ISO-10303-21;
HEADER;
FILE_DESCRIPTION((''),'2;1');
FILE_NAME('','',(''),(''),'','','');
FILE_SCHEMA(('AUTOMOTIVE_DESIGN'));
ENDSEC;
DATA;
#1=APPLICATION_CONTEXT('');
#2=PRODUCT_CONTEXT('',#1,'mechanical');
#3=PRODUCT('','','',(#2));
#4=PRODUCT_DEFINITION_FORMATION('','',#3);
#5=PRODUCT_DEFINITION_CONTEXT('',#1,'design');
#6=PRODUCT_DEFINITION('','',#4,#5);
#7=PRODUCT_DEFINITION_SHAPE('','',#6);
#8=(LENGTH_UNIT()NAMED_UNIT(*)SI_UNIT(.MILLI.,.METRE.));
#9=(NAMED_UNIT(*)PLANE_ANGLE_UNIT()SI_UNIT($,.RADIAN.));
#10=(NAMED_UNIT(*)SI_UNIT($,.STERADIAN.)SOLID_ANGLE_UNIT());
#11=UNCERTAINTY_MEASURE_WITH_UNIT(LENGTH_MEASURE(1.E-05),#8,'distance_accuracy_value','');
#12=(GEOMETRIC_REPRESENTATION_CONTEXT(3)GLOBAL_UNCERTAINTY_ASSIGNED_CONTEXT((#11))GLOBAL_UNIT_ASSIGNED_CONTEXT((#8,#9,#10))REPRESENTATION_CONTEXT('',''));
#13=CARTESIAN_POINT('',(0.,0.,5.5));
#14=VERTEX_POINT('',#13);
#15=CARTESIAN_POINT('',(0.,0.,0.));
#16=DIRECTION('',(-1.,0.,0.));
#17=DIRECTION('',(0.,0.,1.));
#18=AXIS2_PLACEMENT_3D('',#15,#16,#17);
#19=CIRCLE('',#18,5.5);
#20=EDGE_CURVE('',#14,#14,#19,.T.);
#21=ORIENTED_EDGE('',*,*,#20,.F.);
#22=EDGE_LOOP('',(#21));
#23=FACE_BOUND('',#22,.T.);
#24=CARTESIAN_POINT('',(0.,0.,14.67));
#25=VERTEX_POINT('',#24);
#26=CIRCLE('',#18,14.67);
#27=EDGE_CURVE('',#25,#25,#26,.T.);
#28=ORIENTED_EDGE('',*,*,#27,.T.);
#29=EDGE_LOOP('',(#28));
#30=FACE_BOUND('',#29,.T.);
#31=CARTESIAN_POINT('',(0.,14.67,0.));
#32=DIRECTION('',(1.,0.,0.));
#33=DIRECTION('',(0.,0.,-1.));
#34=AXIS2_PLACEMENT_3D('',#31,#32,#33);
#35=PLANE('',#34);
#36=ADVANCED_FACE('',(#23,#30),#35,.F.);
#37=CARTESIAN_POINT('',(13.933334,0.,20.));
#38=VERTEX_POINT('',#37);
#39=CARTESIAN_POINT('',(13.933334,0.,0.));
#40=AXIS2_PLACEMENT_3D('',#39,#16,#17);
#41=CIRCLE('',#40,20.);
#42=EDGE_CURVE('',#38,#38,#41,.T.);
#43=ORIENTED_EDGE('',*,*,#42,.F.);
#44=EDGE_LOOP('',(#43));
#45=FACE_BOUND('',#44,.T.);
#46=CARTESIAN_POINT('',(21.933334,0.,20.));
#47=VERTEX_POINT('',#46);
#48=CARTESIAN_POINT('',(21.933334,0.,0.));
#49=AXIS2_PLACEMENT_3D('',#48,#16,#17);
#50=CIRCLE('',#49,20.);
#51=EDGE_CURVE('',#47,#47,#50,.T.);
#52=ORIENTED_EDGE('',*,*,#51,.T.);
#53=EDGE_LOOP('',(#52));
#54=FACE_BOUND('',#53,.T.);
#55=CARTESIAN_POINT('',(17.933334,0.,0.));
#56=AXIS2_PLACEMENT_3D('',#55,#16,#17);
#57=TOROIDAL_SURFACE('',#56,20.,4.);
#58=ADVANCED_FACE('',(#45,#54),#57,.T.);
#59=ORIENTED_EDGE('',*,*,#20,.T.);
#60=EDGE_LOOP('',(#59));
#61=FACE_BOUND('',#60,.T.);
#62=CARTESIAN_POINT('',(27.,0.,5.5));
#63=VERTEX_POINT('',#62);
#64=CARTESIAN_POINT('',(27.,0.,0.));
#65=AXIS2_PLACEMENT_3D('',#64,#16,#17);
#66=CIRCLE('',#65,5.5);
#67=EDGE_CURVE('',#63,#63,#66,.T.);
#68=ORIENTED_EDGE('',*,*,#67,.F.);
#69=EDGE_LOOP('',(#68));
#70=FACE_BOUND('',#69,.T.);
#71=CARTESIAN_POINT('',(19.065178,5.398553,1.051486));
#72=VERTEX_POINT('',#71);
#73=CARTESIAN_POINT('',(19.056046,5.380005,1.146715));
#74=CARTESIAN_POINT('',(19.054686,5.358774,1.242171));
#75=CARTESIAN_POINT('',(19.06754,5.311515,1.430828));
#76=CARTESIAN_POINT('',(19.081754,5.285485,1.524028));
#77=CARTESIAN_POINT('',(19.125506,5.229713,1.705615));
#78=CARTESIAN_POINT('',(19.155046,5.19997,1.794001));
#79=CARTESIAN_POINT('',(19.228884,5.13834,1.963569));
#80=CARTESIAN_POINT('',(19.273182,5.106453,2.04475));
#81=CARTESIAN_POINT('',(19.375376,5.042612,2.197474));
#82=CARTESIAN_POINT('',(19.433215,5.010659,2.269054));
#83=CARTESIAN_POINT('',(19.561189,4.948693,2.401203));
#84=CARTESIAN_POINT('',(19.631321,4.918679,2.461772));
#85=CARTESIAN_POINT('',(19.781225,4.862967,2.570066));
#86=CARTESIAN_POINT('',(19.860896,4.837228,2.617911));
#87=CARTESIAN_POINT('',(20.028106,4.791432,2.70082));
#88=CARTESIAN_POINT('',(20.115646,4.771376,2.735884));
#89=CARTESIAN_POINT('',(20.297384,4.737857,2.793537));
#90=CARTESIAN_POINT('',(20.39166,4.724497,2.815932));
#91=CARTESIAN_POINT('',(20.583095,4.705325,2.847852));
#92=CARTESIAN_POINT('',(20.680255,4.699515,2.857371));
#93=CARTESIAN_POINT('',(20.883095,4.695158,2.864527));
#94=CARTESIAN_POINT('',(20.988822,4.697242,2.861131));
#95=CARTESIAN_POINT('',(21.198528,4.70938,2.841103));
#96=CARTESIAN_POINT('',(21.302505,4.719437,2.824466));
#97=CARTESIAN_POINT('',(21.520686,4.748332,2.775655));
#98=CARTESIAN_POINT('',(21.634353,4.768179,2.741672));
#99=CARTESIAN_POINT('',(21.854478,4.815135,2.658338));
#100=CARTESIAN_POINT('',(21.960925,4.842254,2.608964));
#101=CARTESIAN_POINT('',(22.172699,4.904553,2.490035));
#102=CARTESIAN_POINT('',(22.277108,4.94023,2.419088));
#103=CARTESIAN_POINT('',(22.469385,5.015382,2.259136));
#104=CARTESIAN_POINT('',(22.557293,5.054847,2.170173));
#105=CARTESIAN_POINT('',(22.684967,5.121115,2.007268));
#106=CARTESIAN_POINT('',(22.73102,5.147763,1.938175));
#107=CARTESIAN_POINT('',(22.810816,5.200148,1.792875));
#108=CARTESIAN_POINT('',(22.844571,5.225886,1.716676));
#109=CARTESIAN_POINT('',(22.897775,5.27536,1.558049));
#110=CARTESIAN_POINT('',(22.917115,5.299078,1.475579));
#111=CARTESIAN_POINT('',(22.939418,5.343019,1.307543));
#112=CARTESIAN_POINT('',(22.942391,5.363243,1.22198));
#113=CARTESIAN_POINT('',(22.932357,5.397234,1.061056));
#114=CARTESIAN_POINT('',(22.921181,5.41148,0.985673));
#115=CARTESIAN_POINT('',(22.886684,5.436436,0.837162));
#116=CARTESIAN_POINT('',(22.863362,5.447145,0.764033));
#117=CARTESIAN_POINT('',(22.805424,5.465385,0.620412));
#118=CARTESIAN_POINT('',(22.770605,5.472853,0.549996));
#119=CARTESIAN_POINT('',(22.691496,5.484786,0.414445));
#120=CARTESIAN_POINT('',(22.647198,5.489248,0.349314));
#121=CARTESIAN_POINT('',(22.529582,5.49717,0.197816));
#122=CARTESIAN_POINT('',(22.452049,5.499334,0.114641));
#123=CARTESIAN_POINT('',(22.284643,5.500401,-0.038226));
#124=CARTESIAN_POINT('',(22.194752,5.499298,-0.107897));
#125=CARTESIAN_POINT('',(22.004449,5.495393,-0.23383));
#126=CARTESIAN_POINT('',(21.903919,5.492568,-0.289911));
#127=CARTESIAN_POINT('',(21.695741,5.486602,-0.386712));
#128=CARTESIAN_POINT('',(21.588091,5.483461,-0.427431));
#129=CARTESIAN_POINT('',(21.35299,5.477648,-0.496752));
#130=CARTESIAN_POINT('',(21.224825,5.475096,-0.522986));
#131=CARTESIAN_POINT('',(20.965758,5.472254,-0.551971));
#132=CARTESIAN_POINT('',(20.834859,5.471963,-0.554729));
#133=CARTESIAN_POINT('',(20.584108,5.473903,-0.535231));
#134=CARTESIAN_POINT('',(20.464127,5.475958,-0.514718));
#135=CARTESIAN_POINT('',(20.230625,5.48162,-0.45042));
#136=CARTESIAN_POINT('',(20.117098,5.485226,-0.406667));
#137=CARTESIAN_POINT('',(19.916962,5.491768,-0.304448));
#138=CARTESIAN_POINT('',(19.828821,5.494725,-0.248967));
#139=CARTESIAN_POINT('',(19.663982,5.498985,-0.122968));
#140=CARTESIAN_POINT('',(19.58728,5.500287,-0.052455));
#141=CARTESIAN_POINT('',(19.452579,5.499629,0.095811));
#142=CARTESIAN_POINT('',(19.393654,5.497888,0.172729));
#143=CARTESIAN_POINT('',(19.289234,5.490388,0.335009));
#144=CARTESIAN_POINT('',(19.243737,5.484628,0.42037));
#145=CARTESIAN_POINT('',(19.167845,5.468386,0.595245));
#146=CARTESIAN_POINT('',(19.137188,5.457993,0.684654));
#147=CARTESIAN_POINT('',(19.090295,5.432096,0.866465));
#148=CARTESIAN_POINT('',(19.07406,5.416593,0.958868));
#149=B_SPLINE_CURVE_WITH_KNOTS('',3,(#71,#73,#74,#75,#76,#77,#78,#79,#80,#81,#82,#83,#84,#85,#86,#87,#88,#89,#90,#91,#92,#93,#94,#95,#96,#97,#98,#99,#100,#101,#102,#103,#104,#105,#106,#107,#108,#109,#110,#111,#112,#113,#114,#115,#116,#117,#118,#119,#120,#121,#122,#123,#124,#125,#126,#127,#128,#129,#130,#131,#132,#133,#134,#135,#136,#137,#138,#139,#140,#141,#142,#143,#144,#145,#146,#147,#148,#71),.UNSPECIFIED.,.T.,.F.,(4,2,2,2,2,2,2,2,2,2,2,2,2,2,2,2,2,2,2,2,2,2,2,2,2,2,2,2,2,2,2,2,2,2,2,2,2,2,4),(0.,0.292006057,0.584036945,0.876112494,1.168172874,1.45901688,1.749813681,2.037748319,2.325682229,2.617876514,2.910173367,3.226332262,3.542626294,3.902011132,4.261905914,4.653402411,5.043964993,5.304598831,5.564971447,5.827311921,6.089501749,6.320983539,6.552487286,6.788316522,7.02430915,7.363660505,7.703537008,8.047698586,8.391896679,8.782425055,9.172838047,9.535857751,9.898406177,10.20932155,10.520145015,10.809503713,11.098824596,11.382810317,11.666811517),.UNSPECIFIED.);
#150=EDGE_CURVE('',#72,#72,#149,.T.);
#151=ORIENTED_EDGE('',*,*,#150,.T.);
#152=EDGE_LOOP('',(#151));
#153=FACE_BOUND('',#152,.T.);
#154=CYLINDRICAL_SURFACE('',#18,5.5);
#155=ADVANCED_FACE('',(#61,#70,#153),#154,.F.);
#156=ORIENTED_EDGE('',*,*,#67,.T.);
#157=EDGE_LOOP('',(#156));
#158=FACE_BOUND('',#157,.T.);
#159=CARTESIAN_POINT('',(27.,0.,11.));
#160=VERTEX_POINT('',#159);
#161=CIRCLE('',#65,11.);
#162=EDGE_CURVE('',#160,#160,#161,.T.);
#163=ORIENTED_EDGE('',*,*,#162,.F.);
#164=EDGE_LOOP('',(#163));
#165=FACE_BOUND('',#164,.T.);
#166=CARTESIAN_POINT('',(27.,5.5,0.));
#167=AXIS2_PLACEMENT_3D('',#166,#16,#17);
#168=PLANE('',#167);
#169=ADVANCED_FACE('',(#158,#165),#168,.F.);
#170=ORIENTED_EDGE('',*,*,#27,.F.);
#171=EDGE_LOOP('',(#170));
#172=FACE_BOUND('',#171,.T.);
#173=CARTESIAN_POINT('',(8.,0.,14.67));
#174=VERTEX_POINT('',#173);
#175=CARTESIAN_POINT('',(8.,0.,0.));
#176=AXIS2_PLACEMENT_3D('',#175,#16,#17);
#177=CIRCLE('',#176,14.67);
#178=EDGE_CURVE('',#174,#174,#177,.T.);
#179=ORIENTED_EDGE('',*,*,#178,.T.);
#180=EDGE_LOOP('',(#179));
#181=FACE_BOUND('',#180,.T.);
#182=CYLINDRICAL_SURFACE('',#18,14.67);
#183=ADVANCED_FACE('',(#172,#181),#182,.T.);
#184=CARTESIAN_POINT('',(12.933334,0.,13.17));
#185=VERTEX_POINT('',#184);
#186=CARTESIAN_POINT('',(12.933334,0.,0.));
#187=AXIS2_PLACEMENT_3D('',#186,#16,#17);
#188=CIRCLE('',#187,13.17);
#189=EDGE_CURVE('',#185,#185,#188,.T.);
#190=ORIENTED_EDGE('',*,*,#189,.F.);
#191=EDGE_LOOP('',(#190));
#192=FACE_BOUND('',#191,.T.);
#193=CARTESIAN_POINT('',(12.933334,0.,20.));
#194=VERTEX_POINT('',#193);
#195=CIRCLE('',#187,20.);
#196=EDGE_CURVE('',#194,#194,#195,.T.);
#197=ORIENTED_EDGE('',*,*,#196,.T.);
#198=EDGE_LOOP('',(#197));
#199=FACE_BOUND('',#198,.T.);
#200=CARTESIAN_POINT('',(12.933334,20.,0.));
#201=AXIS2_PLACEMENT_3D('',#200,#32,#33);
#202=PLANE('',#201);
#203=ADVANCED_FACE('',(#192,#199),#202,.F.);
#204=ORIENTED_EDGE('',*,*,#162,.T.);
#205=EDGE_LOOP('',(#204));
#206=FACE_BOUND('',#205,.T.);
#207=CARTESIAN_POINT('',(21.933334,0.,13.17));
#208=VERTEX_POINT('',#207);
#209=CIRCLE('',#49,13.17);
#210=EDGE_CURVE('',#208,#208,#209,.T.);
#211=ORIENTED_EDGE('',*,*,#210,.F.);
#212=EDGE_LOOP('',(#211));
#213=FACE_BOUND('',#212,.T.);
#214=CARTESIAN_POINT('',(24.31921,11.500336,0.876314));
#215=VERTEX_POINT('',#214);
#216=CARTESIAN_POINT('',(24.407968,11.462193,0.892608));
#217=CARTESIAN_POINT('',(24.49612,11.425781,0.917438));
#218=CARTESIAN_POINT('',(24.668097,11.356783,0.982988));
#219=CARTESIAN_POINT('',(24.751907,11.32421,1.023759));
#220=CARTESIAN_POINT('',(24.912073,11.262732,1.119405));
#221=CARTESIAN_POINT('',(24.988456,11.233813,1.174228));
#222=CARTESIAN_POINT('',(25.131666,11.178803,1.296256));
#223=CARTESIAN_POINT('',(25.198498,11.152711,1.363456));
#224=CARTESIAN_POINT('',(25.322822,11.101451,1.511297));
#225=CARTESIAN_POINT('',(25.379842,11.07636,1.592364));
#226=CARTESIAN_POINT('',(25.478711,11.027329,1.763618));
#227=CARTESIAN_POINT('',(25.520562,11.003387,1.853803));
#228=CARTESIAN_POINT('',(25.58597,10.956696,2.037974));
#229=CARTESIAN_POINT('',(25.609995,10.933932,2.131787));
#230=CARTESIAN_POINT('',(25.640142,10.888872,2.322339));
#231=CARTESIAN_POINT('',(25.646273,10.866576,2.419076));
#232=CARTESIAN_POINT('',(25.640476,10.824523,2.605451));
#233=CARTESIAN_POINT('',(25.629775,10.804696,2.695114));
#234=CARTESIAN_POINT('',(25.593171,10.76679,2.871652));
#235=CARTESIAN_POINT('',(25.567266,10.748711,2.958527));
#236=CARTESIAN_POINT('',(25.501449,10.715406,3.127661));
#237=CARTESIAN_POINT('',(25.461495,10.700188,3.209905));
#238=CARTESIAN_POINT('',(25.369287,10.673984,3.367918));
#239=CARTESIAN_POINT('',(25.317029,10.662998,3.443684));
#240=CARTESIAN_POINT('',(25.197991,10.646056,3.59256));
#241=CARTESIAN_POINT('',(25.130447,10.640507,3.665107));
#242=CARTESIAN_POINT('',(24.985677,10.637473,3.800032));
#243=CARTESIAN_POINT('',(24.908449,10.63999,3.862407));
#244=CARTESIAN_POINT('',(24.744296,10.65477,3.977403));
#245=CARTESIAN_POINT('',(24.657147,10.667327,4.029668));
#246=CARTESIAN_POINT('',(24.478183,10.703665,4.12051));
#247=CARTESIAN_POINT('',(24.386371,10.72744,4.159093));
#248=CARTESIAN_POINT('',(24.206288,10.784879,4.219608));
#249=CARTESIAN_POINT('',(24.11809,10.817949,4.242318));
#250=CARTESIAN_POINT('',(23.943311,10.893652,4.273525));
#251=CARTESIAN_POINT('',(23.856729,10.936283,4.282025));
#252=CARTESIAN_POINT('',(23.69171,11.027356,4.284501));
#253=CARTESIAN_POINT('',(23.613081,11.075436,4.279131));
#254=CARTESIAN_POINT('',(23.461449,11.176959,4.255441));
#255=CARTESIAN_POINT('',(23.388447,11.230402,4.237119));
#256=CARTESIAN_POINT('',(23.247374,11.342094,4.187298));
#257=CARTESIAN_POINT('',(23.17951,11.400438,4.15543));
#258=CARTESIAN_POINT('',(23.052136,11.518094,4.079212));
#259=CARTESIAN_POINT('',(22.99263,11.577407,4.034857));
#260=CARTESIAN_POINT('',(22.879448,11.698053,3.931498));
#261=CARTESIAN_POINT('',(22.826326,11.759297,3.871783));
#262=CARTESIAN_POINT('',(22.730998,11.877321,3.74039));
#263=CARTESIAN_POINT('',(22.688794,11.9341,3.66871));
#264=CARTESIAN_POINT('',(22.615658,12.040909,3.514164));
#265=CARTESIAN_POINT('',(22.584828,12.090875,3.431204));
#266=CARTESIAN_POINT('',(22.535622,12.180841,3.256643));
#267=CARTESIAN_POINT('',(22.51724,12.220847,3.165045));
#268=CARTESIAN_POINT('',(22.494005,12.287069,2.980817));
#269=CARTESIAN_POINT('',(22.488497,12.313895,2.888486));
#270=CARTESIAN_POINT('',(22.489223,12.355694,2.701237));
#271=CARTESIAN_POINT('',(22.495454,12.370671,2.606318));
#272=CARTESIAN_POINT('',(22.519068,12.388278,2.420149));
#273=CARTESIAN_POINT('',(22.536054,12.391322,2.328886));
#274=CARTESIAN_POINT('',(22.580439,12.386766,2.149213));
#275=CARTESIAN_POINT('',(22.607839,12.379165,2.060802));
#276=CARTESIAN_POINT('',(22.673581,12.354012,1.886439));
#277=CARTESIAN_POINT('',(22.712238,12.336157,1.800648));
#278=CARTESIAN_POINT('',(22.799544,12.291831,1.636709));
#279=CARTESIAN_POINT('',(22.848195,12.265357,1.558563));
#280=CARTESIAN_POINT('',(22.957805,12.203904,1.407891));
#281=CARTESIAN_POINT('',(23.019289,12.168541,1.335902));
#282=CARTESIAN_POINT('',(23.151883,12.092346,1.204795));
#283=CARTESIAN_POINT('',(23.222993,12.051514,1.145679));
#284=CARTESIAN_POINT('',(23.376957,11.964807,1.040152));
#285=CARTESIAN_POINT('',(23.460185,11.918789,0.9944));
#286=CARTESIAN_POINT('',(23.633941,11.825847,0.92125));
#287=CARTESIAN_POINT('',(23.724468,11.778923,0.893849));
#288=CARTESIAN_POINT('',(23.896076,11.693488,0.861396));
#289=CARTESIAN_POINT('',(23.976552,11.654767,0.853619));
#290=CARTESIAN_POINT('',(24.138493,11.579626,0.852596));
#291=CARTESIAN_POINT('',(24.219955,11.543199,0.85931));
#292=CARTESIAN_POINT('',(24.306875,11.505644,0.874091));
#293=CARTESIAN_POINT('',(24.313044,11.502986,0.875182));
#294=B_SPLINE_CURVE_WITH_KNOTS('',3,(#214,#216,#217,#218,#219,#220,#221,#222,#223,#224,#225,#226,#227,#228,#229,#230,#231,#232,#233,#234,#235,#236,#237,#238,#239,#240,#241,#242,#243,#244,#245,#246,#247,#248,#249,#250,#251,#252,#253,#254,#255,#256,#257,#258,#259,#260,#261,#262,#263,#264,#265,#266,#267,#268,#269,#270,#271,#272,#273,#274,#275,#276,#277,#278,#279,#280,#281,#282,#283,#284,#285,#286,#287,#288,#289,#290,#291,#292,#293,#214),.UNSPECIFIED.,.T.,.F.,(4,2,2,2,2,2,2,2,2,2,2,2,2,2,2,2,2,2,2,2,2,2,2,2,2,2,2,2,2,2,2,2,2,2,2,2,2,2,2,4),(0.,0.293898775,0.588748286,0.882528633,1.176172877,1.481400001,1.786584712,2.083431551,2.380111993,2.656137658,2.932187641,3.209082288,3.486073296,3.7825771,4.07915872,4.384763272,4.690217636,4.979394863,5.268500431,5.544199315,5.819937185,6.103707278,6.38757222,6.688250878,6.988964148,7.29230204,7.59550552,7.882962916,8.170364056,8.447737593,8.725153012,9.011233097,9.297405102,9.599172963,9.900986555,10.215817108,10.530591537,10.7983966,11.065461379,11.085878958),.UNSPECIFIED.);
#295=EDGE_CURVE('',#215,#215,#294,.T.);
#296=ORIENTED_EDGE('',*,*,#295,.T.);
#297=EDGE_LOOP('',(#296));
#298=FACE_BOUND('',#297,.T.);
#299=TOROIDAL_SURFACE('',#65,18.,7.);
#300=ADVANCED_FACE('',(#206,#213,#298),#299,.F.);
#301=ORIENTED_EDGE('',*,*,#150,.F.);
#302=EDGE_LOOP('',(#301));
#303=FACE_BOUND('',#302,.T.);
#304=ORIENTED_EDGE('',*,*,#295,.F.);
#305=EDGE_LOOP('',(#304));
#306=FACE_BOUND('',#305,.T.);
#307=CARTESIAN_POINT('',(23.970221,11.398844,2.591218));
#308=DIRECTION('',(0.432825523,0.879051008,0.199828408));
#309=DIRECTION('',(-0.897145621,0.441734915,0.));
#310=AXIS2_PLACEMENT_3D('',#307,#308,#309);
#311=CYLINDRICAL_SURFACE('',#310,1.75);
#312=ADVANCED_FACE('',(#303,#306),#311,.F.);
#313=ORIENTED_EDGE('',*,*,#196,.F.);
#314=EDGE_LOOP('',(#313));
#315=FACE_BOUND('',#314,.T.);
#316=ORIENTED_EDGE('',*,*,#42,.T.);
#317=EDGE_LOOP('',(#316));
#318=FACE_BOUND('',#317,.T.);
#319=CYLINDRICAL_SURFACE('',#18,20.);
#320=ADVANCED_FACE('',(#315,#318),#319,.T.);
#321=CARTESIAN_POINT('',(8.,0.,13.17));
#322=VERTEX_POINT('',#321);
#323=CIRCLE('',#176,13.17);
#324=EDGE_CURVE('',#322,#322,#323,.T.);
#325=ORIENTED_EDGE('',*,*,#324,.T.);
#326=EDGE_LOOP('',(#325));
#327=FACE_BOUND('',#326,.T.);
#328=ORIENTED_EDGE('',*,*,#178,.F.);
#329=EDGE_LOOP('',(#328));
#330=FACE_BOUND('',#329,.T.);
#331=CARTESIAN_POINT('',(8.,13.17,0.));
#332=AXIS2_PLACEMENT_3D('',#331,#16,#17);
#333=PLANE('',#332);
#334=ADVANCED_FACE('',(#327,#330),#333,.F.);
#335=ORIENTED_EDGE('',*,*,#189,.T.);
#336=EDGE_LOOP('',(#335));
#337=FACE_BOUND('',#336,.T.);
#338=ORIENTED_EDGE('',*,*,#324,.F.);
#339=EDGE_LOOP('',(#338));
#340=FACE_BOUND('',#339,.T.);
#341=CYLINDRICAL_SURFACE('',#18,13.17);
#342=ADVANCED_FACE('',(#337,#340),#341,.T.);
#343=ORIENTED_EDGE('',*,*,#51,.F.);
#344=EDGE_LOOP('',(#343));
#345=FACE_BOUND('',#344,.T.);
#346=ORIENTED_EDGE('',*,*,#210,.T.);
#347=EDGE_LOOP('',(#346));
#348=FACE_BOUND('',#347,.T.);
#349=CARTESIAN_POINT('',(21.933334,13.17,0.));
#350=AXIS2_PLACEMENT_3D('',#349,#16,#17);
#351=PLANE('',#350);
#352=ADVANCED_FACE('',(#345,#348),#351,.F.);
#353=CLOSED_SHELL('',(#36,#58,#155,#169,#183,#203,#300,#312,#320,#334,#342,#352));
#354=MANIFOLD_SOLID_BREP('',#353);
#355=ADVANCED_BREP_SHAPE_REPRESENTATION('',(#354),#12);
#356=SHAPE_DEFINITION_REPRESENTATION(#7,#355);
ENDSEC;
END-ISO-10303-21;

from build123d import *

# Parameters (mm, degrees)
F_3_5_3_5_DIAMETER_HOLE1_D     = 3.5
F_3_5_3_5_DIAMETER_HOLE1_DEPTH = 12
F_3_5_3_5_DIAMETER_HOLE1_TIP   = 1.75


with BuildPart() as part:
    # Sketch2 → Revolve1 (revolve)
    with BuildSketch(Plane.XY, mode=Mode.PRIVATE) as revolve1_sk:
        with BuildLine():
            Line((0, 5.5), (27, 5.5))
            Line((27, 5.5), (27, 11))
            ThreePointArc((27, 11), (24.244097244, 11.565328291), (21.93333443, 13.17))
            Line((21.93333443, 13.17), (21.93333443, 20))
            ThreePointArc((21.93333443, 20), (17.93333443, 24), (13.93333443, 20))
            Line((13.93333443, 20), (12.93333443, 20))
            Line((12.93333443, 20), (12.93333443, 13.17))
            Line((12.93333443, 13.17), (8, 13.17))
            Line((8, 13.17), (8, 14.67))
            Line((8, 14.67), (0, 14.67))
            Line((0, 14.67), (0, 5.5))
        make_face()
    revolve(revolve1_sk.sketch.rotate(Axis((0, 0, 0), (1, 0, 0)), 90), axis=Axis((0, 0, 0), (1, 0, 0)))

    # Ø3.5 (3.5) Diameter Hole1
    with Locations(Plane(origin=(23.970221342, 11.398844084, 2.591218084), x_dir=(0.897145620837, -0.441734914867, 0), z_dir=(0.432825522508, 0.879051007823, 0.19982840817))):
        with Locations((0, 0)):
            Hole(F_3_5_3_5_DIAMETER_HOLE1_D / 2, depth=F_3_5_3_5_DIAMETER_HOLE1_DEPTH)
            with Locations((0, 0, -(F_3_5_3_5_DIAMETER_HOLE1_DEPTH + F_3_5_3_5_DIAMETER_HOLE1_TIP / 2))):  # 90° drill point
                Cone(0, F_3_5_3_5_DIAMETER_HOLE1_D / 2, F_3_5_3_5_DIAMETER_HOLE1_TIP, mode=Mode.SUBTRACT)


solid = part.part
